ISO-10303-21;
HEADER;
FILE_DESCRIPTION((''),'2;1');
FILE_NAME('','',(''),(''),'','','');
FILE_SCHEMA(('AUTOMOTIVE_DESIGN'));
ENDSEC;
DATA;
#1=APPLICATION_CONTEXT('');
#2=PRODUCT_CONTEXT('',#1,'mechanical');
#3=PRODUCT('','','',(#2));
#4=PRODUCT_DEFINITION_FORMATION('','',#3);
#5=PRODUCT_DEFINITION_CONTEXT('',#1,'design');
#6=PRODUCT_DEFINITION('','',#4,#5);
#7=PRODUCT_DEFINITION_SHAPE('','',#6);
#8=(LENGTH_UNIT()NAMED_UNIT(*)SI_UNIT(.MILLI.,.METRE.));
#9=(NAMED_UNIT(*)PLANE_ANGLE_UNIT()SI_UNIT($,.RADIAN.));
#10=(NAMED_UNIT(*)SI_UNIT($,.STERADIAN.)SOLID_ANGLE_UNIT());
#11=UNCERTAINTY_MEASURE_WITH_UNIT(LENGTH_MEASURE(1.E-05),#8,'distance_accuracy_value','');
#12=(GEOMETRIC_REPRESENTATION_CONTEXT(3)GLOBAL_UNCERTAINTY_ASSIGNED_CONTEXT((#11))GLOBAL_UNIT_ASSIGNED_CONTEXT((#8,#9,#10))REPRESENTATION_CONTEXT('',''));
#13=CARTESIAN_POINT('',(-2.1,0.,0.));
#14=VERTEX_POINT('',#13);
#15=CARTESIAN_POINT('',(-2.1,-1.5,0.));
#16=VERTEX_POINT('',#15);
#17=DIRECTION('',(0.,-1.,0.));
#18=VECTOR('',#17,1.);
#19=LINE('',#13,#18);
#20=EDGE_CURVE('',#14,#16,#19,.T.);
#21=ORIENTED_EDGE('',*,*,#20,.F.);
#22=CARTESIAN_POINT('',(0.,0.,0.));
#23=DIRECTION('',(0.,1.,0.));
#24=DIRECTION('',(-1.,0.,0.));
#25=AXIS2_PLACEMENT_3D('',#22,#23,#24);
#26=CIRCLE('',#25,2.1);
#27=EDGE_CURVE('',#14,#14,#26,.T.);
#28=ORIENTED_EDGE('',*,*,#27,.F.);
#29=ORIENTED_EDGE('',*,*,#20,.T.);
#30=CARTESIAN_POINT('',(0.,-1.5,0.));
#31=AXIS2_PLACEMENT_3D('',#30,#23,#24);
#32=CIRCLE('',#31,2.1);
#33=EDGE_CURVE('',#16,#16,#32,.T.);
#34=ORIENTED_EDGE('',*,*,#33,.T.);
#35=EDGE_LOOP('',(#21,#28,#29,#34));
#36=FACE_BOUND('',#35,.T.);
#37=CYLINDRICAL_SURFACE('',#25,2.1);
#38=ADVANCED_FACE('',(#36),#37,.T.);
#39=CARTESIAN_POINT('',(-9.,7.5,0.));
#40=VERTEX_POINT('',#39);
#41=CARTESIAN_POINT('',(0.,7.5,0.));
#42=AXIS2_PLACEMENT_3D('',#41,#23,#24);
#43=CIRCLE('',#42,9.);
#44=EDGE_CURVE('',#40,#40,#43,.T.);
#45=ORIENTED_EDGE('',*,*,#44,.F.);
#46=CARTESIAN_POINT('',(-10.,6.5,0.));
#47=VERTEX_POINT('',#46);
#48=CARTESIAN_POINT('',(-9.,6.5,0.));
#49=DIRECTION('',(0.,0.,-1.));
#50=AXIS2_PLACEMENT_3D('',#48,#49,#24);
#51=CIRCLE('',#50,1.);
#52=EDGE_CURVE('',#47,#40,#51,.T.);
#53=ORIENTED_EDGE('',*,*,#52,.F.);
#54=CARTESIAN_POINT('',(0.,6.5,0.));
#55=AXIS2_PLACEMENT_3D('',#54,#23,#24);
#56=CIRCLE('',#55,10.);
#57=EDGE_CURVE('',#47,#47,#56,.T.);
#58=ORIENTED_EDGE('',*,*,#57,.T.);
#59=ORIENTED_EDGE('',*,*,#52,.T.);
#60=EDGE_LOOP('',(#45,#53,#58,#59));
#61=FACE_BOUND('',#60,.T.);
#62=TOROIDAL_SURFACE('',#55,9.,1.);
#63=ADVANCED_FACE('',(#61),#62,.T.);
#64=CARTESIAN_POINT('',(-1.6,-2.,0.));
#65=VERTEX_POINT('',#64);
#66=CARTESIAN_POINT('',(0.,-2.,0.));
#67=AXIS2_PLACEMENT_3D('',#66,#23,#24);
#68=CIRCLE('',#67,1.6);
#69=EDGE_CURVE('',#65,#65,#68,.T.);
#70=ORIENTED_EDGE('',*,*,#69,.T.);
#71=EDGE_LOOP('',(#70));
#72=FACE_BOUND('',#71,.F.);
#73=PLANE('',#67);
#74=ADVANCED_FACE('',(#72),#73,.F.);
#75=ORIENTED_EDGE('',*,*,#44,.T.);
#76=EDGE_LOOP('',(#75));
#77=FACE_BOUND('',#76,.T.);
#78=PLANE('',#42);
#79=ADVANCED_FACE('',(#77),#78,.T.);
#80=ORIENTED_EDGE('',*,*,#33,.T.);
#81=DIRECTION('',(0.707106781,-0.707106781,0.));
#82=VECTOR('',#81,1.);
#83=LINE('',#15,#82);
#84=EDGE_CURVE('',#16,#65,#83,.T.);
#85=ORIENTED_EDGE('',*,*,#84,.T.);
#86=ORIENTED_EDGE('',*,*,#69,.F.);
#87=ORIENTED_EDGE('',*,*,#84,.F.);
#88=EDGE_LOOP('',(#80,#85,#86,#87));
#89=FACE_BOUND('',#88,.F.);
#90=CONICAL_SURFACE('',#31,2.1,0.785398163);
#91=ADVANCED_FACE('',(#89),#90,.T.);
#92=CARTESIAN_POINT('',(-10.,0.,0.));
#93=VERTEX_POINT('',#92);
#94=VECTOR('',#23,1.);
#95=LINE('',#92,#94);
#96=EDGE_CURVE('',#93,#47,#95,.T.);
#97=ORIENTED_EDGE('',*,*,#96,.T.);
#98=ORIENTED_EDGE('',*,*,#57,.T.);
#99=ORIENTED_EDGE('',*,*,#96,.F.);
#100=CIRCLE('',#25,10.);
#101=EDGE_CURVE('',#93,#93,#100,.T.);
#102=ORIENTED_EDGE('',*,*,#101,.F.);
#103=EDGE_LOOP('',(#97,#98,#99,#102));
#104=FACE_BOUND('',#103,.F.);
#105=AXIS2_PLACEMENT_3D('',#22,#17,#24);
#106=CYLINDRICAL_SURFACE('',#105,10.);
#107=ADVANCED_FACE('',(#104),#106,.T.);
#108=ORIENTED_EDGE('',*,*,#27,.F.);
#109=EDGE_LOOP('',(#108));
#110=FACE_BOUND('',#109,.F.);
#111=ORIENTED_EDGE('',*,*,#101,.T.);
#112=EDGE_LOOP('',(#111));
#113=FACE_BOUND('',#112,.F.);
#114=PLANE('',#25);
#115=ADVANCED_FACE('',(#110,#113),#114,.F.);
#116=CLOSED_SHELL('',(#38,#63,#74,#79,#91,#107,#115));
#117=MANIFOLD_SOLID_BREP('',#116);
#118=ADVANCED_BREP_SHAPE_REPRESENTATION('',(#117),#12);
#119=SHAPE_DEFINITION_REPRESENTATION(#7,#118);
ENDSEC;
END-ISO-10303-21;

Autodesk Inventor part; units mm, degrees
ref_plane "YZ Plane" through (0, 0, 0) normal (1, 0, 0) x (0, 1, 0)
ref_plane "XZ Plane" through (0, 0, 0) normal (0, 1, 0) x (-1, 0, 0)
ref_plane "XY Plane" through (0, 0, 0) normal (0, 0, 1) x (1, 0, 0)
sketch "Sketch1" plane through (0, 0, 0) normal (0, 1, 0) x (-1, 0, 0)
  circle A0 centre (0, 0) radius 2.3
  circle A1 centre (0, 0) radius 10
  circle A2 centre (0, 0) radius 2.1
  dimension "d0" = 0.2
extrude "Extrusion1" add sketch "Sketch1" along normal blind 7.5 contours A0 | A1 | A2
fillet "Fillet1" radius 1 1 edges at (10, 7.5, 0)
extrude "Extrusion2" add sketch "Sketch1" against normal blind 2 contours A2
chamfer "Chamfer1" distance 0.5 angle 45 1 edges at (2.1, -2, 0)
properties part number "knob_top"
